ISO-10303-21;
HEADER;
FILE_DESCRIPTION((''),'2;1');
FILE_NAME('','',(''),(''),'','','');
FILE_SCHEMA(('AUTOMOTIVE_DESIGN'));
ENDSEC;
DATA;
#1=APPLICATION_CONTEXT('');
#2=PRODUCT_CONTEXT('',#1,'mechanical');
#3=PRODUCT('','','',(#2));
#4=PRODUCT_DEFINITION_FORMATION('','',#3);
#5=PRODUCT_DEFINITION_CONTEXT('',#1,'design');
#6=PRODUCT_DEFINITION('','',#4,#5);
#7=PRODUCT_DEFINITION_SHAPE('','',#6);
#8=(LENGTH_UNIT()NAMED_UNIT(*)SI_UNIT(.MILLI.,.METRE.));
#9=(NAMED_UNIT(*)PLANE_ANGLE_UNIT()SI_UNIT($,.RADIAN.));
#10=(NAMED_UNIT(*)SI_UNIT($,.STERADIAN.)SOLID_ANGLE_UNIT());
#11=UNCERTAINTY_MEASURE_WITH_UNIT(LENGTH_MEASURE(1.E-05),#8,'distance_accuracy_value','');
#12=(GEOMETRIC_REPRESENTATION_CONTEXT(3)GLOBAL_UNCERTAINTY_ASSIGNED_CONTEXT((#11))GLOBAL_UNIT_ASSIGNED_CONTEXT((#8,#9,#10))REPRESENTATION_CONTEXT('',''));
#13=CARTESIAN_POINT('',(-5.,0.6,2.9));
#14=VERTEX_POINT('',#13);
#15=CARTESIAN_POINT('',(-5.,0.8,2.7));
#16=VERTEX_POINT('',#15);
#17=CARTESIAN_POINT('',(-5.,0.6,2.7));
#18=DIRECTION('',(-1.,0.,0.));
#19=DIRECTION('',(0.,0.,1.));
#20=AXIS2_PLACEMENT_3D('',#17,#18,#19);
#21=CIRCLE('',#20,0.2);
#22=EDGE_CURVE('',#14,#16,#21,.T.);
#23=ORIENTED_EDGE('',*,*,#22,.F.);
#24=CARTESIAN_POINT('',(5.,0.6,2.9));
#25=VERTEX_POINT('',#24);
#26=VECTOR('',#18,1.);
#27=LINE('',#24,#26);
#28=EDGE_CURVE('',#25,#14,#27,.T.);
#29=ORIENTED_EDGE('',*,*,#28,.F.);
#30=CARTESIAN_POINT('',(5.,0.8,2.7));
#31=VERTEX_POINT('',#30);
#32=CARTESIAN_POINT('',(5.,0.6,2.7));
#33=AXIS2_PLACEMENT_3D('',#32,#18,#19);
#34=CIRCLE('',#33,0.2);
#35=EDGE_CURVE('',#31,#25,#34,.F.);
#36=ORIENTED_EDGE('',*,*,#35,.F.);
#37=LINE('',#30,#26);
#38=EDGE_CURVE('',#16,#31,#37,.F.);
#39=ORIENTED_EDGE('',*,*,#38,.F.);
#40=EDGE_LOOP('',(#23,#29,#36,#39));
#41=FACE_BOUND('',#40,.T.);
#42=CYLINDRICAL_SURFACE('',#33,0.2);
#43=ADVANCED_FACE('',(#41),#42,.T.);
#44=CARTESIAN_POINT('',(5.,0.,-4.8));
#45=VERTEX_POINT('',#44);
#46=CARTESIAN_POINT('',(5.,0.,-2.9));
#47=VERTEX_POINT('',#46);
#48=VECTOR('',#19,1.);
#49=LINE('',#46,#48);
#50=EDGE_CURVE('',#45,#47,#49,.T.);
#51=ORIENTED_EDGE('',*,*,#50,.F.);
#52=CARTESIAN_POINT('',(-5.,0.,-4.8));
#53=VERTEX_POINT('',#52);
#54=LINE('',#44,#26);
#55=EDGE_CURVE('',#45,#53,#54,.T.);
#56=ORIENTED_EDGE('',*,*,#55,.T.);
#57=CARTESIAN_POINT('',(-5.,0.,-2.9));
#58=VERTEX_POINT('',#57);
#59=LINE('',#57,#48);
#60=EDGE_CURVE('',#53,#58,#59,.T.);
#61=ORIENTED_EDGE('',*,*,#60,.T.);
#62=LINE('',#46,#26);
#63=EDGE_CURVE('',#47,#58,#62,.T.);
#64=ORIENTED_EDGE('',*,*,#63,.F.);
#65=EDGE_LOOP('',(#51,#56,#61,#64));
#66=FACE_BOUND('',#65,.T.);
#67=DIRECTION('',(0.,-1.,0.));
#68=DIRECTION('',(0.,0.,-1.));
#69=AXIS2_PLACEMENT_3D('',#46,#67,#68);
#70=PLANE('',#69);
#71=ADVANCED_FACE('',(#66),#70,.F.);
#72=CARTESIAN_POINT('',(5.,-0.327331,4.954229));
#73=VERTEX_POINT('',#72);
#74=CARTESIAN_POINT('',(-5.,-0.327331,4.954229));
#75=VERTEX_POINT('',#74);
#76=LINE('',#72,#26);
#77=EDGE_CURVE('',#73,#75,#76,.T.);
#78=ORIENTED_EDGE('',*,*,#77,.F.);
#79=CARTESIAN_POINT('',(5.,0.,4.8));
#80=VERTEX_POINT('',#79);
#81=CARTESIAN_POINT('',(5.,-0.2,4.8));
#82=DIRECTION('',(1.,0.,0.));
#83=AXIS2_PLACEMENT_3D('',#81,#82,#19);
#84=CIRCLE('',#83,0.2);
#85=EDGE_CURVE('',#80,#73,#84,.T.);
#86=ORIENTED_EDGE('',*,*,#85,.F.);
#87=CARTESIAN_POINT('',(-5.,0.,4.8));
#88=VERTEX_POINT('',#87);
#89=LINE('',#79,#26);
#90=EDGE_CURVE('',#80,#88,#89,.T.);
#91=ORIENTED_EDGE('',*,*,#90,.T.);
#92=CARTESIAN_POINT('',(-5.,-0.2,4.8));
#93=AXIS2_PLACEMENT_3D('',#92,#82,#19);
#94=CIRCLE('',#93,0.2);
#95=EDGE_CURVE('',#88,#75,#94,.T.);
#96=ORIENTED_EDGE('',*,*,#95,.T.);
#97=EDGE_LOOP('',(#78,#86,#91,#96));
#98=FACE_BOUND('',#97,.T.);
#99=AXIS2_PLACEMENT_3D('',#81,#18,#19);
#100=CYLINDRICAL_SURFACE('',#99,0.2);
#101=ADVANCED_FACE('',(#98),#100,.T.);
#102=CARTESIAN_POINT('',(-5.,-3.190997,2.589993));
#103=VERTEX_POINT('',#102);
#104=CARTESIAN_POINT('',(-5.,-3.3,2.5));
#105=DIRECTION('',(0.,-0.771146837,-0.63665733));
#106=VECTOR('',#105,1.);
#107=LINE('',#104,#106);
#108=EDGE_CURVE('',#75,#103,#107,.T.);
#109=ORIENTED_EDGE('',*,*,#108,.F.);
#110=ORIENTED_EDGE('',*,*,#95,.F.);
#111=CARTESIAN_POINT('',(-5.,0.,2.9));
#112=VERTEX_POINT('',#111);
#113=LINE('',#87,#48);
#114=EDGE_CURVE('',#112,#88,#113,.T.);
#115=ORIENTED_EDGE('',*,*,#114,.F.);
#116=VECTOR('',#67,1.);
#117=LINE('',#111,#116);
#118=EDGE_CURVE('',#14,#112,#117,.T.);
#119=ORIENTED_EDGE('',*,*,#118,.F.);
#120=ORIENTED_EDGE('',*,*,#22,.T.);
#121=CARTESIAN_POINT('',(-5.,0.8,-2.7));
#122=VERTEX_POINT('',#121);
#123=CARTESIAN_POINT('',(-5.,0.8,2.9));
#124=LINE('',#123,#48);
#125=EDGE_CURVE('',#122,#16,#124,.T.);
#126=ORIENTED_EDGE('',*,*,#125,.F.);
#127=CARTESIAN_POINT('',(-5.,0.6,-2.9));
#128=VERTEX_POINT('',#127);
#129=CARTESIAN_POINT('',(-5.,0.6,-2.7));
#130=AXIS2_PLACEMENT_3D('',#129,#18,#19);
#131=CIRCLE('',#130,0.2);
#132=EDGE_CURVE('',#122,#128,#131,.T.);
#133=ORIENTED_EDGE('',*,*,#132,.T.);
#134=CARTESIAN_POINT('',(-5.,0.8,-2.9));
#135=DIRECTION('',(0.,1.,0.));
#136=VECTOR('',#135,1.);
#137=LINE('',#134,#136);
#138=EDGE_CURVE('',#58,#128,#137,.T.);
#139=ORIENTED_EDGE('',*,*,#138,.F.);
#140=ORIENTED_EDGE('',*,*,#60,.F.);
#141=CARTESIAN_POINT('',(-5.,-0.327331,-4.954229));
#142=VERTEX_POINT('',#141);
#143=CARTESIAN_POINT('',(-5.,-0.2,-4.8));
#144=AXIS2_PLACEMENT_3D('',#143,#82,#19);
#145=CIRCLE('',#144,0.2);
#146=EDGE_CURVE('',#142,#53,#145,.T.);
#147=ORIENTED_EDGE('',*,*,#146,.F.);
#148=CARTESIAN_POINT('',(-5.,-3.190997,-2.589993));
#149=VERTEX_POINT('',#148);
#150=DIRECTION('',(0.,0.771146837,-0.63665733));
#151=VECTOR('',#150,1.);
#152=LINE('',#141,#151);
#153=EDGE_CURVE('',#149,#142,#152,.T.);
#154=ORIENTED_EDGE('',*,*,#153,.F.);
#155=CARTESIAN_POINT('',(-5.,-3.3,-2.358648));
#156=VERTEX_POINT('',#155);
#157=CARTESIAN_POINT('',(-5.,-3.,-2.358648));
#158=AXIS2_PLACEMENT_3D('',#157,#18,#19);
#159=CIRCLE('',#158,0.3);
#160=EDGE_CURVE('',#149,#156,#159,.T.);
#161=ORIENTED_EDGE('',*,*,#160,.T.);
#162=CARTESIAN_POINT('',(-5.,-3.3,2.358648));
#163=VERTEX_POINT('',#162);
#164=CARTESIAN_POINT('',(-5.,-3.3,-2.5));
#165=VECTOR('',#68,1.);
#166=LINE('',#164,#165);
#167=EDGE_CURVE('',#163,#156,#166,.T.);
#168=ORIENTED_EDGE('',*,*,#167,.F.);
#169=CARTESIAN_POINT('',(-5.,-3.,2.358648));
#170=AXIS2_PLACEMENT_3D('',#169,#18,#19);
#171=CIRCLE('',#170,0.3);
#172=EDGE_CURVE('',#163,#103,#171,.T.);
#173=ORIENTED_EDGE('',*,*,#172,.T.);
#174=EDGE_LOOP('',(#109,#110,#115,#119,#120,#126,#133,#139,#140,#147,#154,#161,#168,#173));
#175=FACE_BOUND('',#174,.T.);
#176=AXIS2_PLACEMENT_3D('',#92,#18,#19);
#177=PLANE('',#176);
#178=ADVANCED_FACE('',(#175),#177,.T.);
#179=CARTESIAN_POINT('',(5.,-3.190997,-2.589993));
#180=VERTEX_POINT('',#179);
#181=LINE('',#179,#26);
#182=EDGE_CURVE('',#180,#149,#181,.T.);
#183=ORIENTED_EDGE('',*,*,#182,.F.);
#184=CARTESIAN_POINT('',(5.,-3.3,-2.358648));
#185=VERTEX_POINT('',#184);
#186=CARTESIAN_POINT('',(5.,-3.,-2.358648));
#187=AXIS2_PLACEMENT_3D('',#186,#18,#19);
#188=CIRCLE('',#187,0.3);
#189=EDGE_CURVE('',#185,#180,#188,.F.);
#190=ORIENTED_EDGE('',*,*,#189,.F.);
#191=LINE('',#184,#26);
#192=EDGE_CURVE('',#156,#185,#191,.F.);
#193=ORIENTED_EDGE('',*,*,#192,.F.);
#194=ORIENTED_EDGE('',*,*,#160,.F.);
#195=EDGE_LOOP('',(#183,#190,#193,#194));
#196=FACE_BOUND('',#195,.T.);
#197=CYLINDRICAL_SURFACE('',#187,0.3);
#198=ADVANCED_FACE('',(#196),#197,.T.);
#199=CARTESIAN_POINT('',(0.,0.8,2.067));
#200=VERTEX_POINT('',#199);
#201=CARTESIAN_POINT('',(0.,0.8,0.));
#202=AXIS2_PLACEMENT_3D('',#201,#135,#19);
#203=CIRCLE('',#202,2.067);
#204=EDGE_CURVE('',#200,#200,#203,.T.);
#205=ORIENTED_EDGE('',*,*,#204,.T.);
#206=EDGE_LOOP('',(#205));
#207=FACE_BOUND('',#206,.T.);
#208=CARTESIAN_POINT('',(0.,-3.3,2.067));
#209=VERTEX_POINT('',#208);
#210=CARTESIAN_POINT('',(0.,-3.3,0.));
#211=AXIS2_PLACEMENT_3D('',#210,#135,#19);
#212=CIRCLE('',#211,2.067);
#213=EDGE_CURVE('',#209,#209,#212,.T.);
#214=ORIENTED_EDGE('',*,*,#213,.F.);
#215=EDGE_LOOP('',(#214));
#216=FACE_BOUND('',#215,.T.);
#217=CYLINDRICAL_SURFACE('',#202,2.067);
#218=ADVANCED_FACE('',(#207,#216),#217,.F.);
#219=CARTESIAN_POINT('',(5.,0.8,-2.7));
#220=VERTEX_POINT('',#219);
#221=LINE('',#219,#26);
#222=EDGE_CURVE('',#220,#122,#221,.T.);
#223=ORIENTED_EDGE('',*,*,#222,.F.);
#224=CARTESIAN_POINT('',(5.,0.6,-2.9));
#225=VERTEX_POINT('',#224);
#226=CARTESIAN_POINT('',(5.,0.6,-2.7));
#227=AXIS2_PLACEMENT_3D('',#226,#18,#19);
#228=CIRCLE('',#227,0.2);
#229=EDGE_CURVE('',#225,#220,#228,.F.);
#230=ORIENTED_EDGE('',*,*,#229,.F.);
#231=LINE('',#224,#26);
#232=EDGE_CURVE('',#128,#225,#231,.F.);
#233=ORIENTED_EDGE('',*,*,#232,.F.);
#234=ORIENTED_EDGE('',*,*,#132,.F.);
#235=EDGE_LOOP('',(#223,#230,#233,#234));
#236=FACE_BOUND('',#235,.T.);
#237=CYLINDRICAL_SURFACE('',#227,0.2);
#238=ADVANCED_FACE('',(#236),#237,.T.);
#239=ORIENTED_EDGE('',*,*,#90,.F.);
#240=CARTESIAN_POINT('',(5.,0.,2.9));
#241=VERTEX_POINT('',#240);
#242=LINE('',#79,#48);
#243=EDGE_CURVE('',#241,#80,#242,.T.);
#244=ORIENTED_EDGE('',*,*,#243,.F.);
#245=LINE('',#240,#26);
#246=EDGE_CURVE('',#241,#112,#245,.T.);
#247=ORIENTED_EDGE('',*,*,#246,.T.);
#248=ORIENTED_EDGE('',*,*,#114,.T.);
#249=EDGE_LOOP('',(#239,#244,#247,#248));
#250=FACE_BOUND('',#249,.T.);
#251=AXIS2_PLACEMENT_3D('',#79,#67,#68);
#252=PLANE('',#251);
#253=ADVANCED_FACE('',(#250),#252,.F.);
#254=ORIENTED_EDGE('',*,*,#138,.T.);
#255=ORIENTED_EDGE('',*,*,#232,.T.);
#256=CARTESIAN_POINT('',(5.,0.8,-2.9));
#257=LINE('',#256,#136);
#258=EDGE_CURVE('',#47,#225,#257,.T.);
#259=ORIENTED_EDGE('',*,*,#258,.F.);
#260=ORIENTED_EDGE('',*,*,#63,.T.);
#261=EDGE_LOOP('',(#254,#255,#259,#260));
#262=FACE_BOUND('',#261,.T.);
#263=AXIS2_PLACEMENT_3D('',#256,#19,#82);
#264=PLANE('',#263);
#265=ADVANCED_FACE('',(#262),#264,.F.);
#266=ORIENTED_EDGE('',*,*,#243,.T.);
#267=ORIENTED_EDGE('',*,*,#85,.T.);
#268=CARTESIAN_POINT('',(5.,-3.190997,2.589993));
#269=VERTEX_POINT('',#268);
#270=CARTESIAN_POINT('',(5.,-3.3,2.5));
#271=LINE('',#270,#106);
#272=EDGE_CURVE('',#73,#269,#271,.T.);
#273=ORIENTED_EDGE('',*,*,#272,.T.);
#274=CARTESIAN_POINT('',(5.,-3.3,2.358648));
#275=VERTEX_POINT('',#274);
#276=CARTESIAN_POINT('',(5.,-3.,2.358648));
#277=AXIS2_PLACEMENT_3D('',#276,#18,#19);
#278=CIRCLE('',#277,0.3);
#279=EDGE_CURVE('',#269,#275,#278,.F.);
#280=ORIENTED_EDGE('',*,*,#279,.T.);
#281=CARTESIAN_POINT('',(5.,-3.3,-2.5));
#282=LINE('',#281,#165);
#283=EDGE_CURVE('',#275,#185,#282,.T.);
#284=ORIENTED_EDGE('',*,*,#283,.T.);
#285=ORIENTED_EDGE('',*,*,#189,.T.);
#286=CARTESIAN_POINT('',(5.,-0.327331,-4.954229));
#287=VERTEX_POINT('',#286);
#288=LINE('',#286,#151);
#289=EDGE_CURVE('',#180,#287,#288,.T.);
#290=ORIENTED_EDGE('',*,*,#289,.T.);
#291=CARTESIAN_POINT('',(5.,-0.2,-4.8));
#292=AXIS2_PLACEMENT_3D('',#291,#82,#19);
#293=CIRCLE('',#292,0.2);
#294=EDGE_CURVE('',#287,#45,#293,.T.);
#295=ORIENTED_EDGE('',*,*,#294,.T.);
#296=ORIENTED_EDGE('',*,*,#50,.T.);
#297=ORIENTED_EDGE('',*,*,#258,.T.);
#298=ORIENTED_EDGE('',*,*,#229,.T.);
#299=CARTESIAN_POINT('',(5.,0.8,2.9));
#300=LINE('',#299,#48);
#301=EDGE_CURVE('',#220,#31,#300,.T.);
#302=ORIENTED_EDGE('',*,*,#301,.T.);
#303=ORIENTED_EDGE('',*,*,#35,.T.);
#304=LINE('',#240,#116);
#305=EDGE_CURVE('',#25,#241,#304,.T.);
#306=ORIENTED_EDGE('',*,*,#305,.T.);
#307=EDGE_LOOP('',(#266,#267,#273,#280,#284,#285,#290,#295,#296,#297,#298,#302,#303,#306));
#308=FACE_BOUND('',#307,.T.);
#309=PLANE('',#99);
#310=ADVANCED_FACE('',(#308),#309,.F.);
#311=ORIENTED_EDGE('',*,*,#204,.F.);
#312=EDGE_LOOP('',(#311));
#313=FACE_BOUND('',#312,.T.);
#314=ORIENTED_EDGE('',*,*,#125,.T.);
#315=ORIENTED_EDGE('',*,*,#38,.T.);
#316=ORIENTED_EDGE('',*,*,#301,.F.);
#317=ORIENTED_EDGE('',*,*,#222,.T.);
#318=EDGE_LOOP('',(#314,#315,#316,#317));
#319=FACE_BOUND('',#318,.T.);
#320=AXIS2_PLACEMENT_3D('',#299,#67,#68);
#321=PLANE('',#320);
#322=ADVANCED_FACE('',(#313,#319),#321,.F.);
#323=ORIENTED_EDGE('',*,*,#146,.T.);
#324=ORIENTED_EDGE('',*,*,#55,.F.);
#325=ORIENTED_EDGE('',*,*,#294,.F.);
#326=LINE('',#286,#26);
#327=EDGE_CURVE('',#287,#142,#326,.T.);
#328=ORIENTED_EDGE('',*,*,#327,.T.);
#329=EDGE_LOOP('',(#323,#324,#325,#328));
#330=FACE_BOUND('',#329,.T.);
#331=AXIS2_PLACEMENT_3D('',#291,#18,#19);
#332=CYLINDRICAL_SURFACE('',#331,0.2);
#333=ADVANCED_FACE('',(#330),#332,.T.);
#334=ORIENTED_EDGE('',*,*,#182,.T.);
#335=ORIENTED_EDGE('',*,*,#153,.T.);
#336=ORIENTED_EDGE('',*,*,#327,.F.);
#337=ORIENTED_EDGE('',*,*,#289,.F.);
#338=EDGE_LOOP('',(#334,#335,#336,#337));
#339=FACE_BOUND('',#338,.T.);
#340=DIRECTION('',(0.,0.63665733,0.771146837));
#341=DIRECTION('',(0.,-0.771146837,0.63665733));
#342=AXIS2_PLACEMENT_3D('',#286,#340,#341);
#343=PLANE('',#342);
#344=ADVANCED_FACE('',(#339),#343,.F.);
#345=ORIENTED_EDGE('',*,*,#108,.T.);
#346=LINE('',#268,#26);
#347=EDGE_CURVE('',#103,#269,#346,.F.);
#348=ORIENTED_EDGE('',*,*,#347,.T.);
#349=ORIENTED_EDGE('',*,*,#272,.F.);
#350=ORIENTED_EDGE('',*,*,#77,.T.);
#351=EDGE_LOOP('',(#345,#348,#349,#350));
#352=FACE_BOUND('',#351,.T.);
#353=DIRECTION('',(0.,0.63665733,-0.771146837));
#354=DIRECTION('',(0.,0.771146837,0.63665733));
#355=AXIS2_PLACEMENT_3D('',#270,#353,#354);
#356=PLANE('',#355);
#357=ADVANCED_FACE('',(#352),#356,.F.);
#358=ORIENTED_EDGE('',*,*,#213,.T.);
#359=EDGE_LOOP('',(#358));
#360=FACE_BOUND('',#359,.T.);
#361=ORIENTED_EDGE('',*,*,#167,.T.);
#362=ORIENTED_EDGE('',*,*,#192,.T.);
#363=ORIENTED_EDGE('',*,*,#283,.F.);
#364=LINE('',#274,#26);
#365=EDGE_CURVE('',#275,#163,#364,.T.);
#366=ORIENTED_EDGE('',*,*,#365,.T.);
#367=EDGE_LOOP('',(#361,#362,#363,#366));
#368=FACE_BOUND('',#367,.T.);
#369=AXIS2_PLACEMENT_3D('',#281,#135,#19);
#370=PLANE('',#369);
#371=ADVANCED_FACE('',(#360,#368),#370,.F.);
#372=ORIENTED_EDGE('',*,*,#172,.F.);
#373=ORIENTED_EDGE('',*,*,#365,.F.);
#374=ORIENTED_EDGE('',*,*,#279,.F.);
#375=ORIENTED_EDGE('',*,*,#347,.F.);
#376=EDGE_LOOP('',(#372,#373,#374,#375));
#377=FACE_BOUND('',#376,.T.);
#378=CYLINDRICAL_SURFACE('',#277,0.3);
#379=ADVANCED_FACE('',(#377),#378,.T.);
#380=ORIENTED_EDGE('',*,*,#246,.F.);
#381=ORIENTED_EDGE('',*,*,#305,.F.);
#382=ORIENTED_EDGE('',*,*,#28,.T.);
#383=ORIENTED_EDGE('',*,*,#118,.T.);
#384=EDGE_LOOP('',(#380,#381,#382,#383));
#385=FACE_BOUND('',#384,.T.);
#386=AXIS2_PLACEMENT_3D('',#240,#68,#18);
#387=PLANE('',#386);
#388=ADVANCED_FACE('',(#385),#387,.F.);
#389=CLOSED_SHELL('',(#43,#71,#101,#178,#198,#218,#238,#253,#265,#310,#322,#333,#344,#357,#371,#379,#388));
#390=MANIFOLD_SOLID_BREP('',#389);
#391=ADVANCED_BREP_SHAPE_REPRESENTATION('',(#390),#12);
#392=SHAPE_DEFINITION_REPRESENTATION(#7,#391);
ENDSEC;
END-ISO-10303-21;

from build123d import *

# Parameters (mm, degrees)
BOSS_EXTRUDE1_DEPTH = 5
FILLET1_R           = 0.3
FILLET2_R           = 0.2
TAPPED_HOLE1_D      = 4.134


with BuildPart() as part:
    # Sketch1 → Boss-Extrude1 (new, symmetric)
    with BuildSketch(Plane(origin=(0, 0, 0), x_dir=(0, 0, -1), z_dir=(1, 0, 0))):
        with BuildLine():
            Line((2.5, -3.3), (-2.5, -3.3))
            Line((-2.5, -3.3), (-4.954229367, -0.327331466))
            ThreePointArc((-4.954229367, -0.327331466), (-4.980923041, -0.114754159), (-4.8, 0))
            Line((-4.8, 0), (-2.9, 0))
            Line((-2.9, 0), (-2.9, 0.8))
            Line((-2.9, 0.8), (2.9, 0.8))
            Line((2.9, 0.8), (2.9, 0))
            Line((2.9, 0), (4.8, 0))
            ThreePointArc((4.8, 0), (4.980923041, -0.114754159), (4.954229367, -0.327331466))
            Line((4.954229367, -0.327331466), (2.5, -3.3))
        make_face()
    extrude(amount=BOSS_EXTRUDE1_DEPTH, both=True)

    # Fillet1
    fillet1_edges = [part.edges().sort_by_distance(p)[0] for p in [
        (0, -3.3, -2.5),
        (0, -3.3, 2.5),
    ]]
    fillet(fillet1_edges, radius=FILLET1_R)

    # Fillet2
    fillet2_edges = [part.edges().sort_by_distance(p)[0] for p in [
        (0, 0.8, 2.9),
        (0, 0.8, -2.9),
    ]]
    fillet(fillet2_edges, radius=FILLET2_R)

    # Tapped Hole1 (through all)
    with Locations(Plane(origin=(0, 0.8, 0), x_dir=(1, 0, 0), z_dir=(0, 1, 0))):
        with Locations((0, 0)):
            Hole(TAPPED_HOLE1_D / 2)


solid = part.part
